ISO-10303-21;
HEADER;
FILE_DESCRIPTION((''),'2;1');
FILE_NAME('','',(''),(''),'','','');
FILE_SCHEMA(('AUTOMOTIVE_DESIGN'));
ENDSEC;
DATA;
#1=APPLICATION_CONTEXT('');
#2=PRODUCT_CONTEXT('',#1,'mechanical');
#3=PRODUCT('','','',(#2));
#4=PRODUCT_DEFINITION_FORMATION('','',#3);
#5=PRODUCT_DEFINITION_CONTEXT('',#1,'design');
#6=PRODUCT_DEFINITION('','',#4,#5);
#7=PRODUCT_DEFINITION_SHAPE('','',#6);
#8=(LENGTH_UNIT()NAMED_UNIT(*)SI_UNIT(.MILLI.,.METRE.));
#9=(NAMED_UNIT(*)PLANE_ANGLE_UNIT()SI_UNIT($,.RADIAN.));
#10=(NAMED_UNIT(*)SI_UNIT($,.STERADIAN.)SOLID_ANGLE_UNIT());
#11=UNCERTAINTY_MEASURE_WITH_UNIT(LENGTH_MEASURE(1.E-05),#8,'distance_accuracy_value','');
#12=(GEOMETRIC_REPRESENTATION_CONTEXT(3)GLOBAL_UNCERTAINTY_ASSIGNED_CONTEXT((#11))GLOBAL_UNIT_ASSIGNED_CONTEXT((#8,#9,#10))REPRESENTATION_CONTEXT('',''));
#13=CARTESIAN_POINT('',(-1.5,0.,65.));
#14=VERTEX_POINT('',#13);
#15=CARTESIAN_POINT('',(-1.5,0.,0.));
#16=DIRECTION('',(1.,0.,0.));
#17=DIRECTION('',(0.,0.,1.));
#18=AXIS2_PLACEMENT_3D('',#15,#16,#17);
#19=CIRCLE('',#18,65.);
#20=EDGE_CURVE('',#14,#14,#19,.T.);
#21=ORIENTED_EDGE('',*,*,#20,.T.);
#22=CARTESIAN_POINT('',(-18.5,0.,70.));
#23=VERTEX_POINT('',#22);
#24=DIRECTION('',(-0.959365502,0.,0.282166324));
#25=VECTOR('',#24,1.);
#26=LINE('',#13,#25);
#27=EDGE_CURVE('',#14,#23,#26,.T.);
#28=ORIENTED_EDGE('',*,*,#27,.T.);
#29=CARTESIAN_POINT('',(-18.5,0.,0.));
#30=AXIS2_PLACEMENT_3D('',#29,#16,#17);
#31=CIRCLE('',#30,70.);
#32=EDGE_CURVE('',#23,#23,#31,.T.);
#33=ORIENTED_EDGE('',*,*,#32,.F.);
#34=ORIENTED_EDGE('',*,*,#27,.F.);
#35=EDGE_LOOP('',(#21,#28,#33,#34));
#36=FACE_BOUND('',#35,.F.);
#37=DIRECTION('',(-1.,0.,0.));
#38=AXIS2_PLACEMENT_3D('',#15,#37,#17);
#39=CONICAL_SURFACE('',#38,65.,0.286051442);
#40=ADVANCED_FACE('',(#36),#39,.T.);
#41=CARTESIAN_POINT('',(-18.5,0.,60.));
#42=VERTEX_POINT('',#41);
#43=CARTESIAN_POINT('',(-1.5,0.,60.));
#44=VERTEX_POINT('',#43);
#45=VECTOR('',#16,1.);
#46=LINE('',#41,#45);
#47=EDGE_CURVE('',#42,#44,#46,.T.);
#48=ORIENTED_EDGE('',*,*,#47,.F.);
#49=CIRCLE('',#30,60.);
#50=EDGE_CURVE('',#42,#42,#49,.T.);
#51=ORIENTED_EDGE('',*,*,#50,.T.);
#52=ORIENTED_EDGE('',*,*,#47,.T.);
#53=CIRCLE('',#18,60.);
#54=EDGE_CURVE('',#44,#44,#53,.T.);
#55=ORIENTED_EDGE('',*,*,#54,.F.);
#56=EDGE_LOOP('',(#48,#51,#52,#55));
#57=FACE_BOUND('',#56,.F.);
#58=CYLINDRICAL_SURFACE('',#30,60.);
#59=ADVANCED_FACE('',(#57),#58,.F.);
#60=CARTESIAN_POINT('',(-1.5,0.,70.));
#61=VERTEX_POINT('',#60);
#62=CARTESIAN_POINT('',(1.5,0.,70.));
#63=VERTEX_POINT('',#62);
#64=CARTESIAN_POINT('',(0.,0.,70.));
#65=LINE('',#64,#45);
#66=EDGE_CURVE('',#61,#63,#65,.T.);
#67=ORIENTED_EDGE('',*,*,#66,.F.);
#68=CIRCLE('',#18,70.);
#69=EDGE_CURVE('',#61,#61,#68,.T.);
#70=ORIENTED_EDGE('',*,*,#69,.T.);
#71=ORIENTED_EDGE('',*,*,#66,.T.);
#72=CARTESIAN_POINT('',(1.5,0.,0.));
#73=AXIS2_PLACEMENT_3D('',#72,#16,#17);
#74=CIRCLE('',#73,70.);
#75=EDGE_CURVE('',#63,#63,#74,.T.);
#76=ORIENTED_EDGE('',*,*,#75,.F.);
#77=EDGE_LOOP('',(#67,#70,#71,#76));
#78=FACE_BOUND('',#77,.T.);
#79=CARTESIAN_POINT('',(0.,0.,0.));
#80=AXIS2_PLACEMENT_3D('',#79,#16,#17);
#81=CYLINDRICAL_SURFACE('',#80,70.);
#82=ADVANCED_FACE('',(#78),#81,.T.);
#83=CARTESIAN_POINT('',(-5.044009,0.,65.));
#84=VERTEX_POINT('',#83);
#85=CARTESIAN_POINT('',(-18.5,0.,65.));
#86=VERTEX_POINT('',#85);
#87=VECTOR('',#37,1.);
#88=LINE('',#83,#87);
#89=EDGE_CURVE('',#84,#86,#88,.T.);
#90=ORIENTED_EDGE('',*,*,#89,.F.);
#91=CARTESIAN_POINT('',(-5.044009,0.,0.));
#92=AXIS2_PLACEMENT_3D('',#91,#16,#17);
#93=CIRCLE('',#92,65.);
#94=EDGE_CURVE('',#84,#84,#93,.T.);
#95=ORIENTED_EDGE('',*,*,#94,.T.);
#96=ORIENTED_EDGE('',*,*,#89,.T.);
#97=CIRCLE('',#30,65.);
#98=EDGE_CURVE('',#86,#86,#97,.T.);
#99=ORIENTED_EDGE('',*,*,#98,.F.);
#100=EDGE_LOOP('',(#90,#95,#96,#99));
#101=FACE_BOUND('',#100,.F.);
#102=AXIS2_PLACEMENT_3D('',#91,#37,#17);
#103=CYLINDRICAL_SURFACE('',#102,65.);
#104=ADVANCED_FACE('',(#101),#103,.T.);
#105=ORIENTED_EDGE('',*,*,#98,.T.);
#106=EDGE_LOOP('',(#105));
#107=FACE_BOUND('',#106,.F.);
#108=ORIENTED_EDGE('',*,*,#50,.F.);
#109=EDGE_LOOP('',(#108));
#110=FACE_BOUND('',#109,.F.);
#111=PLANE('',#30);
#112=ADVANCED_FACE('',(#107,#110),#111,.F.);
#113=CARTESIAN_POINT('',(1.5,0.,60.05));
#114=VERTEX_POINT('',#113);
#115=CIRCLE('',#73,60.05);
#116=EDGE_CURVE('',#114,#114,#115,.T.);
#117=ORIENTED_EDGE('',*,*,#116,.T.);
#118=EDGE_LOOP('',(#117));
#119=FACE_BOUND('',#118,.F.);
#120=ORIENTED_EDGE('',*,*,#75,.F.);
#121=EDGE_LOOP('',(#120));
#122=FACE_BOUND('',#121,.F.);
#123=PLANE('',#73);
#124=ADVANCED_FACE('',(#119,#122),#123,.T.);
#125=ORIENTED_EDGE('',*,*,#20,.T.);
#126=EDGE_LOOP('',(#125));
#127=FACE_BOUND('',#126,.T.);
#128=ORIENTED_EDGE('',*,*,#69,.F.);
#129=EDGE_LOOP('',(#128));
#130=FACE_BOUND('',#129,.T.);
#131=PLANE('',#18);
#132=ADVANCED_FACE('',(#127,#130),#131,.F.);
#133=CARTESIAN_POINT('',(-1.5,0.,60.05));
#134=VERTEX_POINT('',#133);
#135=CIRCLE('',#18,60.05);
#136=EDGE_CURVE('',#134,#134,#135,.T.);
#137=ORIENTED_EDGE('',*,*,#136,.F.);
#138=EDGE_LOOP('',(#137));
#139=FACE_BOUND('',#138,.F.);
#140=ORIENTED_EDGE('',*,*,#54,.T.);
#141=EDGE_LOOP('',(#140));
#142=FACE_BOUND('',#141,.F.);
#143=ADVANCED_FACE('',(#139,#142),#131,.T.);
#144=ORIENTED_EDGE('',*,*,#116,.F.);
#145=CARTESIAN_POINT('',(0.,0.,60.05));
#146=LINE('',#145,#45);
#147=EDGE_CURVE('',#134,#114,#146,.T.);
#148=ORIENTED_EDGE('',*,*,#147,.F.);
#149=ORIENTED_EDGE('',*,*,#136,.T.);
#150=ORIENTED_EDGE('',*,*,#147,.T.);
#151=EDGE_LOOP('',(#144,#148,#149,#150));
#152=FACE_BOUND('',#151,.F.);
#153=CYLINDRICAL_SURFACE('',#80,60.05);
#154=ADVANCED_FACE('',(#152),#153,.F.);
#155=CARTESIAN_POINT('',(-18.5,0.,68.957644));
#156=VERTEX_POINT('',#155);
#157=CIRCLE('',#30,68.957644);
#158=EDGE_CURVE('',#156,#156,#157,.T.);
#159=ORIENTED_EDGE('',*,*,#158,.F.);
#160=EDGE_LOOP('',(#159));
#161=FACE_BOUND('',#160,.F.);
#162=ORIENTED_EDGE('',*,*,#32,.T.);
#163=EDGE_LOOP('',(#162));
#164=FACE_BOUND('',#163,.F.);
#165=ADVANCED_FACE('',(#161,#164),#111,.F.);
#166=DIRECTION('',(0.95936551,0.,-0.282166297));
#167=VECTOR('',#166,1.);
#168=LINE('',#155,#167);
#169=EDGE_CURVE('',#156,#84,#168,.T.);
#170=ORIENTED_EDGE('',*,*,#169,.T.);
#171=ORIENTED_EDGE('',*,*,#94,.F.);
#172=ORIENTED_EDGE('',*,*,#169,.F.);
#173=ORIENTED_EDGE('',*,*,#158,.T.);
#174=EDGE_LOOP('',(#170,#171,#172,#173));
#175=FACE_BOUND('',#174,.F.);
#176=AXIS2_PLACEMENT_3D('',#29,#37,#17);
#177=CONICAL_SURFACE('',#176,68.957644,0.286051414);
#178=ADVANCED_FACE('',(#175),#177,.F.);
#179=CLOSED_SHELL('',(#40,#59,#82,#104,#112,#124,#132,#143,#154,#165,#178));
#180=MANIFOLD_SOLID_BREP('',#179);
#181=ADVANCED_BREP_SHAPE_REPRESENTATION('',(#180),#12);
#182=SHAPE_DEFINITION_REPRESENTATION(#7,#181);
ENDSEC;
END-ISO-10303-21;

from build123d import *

# Parameters (mm, degrees)
F0_W = 3
F0_H = 9.95


with BuildPart() as f1:
    # F0 (on Front) → F1 (revolve)
    with BuildSketch(Plane.XZ):
        with Locations((0, 65.025)):
            Rectangle(F0_W, F0_H)
    revolve(axis=Axis((8.224491, 0, 0), (1, 0, 0)))

    # F2 (on Front) → F3 (revolve)
    with BuildSketch(Plane.XZ):
        Polygon((-5.044009, 65), (-18.5, 65), (-18.5, 60), (-1.5, 60), (-1.5, 65), (-18.5, 70), (-18.5, 68.957644), align=None)
    revolve(axis=Axis((3.221242, 0, 0), (1, 0, 0)))


solid = f1.part
